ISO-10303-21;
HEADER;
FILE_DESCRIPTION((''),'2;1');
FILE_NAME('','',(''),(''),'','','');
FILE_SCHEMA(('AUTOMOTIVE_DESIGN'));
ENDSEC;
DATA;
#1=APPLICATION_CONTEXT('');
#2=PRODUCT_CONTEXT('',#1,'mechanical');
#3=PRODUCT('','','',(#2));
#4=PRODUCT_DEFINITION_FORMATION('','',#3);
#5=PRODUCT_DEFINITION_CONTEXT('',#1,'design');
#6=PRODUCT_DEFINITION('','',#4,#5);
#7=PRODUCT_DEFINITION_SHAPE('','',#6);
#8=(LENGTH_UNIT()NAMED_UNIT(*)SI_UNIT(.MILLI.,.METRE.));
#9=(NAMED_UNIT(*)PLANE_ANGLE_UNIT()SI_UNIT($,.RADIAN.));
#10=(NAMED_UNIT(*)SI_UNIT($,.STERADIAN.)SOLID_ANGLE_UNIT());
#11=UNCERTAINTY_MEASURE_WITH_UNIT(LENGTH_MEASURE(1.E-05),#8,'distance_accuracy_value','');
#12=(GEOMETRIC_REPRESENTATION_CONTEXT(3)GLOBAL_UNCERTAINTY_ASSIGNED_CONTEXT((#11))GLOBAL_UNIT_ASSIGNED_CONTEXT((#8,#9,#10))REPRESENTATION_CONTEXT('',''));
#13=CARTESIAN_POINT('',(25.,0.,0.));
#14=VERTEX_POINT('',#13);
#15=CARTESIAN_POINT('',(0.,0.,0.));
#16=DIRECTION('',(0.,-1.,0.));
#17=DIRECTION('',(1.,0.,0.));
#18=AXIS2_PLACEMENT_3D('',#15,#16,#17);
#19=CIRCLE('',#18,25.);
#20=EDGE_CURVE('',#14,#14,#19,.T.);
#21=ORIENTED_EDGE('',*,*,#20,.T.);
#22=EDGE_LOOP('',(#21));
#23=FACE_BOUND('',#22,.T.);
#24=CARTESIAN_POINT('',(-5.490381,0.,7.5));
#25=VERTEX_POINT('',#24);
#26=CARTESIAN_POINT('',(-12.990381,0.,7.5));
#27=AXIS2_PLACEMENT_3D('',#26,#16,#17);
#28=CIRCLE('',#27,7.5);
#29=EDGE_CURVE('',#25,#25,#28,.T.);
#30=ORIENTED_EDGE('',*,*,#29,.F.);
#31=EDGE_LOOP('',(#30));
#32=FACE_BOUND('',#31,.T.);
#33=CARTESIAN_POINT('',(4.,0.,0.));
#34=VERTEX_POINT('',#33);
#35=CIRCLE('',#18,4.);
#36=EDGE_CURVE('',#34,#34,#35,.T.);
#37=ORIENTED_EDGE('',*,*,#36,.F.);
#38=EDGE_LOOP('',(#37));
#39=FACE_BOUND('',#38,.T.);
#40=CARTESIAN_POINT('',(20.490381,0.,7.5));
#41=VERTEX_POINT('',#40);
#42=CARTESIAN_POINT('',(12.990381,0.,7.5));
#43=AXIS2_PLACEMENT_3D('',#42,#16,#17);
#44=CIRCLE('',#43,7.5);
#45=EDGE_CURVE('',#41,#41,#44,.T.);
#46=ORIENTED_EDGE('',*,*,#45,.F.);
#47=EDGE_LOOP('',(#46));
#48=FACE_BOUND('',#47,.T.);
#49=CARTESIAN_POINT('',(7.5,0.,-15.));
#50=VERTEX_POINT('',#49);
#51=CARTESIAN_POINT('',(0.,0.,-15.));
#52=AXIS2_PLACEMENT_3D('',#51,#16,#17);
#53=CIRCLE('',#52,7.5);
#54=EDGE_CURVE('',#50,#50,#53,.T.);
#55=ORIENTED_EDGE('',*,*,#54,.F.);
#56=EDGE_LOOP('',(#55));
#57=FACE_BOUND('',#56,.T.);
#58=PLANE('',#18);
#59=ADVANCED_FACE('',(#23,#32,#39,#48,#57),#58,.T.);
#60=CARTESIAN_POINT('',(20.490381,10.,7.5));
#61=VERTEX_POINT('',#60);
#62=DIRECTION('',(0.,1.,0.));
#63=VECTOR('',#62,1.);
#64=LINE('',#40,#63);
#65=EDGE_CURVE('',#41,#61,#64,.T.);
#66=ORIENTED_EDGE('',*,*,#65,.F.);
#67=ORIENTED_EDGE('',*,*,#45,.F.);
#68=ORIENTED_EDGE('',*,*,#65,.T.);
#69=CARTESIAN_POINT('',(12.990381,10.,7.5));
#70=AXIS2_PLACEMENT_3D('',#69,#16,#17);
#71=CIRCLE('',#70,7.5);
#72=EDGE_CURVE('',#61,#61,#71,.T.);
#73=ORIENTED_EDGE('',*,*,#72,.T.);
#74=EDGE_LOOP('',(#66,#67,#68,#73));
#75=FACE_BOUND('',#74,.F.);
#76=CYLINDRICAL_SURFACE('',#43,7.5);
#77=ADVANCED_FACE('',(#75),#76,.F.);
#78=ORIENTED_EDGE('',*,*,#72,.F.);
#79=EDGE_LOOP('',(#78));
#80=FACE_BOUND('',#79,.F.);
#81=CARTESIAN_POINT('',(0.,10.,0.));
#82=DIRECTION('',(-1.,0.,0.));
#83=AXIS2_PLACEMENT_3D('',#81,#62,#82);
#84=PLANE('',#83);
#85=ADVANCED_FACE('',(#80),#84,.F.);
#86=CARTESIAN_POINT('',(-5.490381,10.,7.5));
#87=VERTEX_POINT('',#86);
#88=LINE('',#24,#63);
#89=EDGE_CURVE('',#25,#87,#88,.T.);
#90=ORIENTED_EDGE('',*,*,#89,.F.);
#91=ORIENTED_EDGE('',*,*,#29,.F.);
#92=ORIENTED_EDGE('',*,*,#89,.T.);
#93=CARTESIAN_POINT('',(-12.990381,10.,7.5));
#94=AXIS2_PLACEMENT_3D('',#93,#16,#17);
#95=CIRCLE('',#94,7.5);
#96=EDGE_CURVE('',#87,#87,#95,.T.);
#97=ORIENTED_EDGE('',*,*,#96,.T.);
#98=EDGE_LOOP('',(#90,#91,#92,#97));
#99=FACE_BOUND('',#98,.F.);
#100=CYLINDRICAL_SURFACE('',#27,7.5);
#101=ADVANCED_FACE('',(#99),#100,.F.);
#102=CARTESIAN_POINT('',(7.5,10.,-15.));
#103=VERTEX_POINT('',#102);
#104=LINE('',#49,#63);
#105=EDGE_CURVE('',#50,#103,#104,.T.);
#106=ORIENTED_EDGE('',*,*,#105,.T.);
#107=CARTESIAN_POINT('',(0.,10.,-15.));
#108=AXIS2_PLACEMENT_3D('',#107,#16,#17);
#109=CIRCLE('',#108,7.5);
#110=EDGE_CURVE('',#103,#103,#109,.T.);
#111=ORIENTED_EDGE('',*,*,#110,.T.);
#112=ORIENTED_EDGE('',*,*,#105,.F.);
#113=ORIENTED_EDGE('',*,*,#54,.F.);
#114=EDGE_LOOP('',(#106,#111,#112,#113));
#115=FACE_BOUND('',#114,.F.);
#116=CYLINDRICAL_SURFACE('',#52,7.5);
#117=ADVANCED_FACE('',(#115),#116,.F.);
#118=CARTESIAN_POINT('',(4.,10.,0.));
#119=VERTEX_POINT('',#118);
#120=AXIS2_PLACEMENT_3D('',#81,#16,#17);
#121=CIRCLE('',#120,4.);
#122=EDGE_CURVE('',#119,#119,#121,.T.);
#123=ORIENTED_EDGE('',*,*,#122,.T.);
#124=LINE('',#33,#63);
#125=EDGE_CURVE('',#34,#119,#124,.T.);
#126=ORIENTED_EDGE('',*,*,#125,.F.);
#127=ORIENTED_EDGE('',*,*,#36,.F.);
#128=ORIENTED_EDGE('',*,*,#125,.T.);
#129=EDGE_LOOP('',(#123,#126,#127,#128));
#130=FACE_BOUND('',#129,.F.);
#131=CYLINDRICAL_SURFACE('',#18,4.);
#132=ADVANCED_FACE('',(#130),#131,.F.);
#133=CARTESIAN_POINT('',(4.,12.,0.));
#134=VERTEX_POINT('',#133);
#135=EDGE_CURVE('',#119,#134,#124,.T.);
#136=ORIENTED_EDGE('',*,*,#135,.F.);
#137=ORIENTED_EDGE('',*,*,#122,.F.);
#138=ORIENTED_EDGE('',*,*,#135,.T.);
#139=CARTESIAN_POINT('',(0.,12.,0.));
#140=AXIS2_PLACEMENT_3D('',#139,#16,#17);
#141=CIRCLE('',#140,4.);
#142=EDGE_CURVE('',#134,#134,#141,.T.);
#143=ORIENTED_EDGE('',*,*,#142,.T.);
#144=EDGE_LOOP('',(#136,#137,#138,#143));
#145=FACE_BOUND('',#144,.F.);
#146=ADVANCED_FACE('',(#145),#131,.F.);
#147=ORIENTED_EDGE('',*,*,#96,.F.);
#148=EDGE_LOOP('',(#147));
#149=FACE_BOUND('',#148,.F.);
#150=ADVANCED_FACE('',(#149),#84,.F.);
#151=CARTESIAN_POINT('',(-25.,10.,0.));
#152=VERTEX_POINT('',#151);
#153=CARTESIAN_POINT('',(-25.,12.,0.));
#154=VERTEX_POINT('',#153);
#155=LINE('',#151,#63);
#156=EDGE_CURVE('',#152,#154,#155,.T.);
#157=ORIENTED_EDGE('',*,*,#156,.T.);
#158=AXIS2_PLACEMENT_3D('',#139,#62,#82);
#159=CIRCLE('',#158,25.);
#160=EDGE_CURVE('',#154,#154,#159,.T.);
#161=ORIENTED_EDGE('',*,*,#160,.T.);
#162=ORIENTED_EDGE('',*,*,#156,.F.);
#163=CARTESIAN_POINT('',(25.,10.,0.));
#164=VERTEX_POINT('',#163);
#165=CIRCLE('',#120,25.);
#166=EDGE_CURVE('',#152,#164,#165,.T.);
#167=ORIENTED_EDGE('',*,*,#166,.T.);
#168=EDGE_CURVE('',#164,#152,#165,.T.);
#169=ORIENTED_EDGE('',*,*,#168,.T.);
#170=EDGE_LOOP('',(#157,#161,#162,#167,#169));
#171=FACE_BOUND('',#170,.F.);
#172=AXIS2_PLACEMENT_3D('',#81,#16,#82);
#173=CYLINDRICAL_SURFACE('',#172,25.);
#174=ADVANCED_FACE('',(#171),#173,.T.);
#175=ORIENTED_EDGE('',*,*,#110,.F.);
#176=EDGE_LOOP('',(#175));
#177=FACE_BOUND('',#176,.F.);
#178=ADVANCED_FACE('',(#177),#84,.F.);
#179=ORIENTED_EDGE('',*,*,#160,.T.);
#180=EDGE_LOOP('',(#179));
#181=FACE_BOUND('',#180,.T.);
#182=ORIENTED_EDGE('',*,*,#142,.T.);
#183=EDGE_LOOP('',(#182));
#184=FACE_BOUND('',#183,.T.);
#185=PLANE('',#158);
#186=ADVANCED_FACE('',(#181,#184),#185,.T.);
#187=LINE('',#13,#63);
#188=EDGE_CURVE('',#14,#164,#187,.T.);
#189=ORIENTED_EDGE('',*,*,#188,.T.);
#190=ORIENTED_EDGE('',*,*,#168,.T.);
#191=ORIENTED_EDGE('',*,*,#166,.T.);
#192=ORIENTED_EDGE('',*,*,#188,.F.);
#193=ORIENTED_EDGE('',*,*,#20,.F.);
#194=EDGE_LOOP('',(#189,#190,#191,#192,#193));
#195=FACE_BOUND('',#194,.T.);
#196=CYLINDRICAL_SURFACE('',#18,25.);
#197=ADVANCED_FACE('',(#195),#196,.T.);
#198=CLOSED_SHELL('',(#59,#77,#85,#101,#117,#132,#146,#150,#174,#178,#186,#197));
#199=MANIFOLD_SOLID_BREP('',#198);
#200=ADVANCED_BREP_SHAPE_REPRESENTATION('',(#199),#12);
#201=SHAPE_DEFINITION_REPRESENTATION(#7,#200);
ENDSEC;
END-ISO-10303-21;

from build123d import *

# Parameters (mm, degrees)
F0_R     = 25
F0_R_2   = 7.5
F0_R_3   = 4
F1_DEPTH = 10
F2_R     = 25
F3_DEPTH = 2
F4_DEPTH = 25


with BuildPart() as f1:
    # F0 (on Front) → F1 (new body)
    with BuildSketch(Plane.XZ):
        Circle(F0_R)
        with Locations((0, -15)):
            Circle(F0_R_2, mode=Mode.SUBTRACT)
        with Locations((-12.990381, 7.5)):
            Circle(F0_R_2, mode=Mode.SUBTRACT)
        Circle(F0_R_3, mode=Mode.SUBTRACT)
        with Locations((12.990381, 7.5)):
            Circle(F0_R_2, mode=Mode.SUBTRACT)
    extrude(amount=-F1_DEPTH)

    # F2 (on face) → F3 (join)
    with BuildSketch(Plane(origin=(0, 10, 0), x_dir=(-1, 0, 0), z_dir=(0, 1, 0))):
        Circle(F2_R)
    extrude(amount=F3_DEPTH)

    # F0 (on Front) → F4 (cut)
    with BuildSketch(Plane.XZ):
        Circle(F0_R_3)
    extrude(amount=-F4_DEPTH, mode=Mode.SUBTRACT)


solid = f1.part
